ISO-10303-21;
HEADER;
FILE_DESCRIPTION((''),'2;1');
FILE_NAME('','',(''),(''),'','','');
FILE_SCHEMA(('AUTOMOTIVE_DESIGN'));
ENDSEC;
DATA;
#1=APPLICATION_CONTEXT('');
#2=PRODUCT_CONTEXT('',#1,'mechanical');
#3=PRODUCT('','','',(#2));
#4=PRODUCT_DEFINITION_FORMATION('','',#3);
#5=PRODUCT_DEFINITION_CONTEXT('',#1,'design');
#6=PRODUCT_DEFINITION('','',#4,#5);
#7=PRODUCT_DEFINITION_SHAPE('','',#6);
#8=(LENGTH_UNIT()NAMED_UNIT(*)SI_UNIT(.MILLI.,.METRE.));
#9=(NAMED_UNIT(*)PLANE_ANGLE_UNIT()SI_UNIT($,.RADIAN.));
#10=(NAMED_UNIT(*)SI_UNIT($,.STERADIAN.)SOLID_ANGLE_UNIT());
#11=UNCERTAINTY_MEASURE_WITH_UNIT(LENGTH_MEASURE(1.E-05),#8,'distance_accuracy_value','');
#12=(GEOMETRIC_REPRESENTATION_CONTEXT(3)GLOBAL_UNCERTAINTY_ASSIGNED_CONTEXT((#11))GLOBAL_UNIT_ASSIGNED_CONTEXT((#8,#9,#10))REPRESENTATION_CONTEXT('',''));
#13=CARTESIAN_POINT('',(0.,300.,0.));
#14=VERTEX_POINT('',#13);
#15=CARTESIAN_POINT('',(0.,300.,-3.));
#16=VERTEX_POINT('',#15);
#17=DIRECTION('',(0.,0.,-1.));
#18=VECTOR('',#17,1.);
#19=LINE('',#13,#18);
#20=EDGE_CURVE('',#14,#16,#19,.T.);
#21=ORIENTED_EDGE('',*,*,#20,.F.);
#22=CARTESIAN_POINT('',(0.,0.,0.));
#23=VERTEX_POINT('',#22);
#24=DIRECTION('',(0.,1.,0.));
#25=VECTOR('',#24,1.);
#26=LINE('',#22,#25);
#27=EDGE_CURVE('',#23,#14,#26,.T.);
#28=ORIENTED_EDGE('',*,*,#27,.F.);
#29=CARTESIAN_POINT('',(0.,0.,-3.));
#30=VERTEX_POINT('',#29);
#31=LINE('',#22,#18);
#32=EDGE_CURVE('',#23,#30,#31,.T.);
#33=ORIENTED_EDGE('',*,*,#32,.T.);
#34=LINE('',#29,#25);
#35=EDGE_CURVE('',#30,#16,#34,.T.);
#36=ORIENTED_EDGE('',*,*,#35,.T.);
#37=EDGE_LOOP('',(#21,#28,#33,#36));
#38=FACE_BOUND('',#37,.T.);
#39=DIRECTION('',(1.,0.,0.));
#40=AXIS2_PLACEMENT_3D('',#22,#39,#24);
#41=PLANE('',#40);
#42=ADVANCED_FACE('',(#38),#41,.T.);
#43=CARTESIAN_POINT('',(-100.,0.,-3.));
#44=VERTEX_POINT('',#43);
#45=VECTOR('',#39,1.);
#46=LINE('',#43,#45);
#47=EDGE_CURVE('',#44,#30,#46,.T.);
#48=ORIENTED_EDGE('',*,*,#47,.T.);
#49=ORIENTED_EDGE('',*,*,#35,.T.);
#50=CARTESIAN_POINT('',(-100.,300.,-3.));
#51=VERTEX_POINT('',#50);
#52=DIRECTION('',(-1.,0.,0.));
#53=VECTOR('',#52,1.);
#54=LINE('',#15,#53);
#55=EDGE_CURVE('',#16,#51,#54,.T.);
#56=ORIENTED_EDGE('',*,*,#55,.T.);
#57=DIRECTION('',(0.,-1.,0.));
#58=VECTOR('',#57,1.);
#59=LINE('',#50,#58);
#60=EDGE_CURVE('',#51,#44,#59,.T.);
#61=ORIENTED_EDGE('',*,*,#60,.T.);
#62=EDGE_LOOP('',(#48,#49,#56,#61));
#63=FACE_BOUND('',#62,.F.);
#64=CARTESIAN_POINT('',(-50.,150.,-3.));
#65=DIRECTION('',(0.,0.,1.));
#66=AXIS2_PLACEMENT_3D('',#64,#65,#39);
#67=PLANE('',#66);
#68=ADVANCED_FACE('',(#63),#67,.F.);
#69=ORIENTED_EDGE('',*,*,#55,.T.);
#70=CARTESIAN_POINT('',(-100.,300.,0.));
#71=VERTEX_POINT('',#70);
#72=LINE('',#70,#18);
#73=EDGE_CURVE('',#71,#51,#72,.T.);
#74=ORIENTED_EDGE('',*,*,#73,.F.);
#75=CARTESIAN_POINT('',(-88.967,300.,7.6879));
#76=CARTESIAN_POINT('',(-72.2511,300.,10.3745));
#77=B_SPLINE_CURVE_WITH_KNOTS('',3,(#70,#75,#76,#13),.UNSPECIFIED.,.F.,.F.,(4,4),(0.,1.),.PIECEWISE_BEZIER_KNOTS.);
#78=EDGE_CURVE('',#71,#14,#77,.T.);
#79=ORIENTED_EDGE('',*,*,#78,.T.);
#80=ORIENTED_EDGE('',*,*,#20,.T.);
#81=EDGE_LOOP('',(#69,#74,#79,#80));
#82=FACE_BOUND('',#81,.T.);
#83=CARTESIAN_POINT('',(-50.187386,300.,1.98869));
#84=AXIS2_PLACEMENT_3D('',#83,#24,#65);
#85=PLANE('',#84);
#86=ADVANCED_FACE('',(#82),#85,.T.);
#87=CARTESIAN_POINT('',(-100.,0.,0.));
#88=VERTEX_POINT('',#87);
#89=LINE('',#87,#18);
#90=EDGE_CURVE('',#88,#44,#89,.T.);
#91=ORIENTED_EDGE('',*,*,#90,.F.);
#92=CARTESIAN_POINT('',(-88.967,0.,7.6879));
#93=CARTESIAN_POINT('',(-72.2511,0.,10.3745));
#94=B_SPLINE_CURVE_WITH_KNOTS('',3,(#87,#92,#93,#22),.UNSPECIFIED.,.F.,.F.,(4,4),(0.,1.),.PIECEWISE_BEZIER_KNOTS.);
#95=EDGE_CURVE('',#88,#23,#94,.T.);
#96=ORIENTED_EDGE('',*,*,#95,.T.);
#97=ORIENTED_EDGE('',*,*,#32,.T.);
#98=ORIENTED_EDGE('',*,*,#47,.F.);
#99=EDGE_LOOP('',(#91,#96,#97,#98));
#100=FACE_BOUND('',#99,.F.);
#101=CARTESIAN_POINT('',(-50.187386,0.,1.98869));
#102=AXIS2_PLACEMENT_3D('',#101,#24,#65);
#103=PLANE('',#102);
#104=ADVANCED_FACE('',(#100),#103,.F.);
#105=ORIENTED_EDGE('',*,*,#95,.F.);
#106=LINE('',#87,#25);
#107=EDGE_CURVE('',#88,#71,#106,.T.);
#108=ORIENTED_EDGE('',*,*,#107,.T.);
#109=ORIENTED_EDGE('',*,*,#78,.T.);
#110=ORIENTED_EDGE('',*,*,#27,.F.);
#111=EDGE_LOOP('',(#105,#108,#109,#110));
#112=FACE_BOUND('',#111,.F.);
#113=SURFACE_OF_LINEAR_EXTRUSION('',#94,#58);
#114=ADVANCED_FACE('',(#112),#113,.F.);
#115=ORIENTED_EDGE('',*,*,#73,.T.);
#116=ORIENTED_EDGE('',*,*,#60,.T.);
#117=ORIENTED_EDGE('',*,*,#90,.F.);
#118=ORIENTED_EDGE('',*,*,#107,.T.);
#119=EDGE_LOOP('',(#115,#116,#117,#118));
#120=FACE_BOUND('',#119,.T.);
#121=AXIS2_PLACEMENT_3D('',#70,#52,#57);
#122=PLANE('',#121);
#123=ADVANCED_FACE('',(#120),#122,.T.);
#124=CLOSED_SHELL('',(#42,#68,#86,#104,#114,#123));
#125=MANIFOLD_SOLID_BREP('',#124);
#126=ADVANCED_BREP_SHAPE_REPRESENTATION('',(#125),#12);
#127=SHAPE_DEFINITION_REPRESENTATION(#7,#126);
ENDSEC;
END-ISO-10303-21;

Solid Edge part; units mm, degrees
sketch "Sketch1" plane through (0, 0, 0) normal (0, -1, 0) x (1, 0, 0)
  spline S0 degree 3 poles (-100, 0) (-88.967, 7.6879) (-72.2511, 10.3745) (0, 0) knots 0 0 0 0 1 1 1 1
  line L0 (0, 0) -> (-100, 0)
extrude "Protrusion1" add sketch "Sketch1" against normal blind 300
sketch "Sketch2" plane through (-50, 150, 0) normal (0, 0, -1) x (1, 0, 0)
  line L0 (-50, -150) -> (-50, 150)
  line L1 (-50, 150) -> (50, 150)
  line L2 (50, 150) -> (50, -150)
  line L3 (50, -150) -> (-50, -150)
extrude "ExtrudedProtrusion_2" add sketch "Sketch2" along normal blind 3
